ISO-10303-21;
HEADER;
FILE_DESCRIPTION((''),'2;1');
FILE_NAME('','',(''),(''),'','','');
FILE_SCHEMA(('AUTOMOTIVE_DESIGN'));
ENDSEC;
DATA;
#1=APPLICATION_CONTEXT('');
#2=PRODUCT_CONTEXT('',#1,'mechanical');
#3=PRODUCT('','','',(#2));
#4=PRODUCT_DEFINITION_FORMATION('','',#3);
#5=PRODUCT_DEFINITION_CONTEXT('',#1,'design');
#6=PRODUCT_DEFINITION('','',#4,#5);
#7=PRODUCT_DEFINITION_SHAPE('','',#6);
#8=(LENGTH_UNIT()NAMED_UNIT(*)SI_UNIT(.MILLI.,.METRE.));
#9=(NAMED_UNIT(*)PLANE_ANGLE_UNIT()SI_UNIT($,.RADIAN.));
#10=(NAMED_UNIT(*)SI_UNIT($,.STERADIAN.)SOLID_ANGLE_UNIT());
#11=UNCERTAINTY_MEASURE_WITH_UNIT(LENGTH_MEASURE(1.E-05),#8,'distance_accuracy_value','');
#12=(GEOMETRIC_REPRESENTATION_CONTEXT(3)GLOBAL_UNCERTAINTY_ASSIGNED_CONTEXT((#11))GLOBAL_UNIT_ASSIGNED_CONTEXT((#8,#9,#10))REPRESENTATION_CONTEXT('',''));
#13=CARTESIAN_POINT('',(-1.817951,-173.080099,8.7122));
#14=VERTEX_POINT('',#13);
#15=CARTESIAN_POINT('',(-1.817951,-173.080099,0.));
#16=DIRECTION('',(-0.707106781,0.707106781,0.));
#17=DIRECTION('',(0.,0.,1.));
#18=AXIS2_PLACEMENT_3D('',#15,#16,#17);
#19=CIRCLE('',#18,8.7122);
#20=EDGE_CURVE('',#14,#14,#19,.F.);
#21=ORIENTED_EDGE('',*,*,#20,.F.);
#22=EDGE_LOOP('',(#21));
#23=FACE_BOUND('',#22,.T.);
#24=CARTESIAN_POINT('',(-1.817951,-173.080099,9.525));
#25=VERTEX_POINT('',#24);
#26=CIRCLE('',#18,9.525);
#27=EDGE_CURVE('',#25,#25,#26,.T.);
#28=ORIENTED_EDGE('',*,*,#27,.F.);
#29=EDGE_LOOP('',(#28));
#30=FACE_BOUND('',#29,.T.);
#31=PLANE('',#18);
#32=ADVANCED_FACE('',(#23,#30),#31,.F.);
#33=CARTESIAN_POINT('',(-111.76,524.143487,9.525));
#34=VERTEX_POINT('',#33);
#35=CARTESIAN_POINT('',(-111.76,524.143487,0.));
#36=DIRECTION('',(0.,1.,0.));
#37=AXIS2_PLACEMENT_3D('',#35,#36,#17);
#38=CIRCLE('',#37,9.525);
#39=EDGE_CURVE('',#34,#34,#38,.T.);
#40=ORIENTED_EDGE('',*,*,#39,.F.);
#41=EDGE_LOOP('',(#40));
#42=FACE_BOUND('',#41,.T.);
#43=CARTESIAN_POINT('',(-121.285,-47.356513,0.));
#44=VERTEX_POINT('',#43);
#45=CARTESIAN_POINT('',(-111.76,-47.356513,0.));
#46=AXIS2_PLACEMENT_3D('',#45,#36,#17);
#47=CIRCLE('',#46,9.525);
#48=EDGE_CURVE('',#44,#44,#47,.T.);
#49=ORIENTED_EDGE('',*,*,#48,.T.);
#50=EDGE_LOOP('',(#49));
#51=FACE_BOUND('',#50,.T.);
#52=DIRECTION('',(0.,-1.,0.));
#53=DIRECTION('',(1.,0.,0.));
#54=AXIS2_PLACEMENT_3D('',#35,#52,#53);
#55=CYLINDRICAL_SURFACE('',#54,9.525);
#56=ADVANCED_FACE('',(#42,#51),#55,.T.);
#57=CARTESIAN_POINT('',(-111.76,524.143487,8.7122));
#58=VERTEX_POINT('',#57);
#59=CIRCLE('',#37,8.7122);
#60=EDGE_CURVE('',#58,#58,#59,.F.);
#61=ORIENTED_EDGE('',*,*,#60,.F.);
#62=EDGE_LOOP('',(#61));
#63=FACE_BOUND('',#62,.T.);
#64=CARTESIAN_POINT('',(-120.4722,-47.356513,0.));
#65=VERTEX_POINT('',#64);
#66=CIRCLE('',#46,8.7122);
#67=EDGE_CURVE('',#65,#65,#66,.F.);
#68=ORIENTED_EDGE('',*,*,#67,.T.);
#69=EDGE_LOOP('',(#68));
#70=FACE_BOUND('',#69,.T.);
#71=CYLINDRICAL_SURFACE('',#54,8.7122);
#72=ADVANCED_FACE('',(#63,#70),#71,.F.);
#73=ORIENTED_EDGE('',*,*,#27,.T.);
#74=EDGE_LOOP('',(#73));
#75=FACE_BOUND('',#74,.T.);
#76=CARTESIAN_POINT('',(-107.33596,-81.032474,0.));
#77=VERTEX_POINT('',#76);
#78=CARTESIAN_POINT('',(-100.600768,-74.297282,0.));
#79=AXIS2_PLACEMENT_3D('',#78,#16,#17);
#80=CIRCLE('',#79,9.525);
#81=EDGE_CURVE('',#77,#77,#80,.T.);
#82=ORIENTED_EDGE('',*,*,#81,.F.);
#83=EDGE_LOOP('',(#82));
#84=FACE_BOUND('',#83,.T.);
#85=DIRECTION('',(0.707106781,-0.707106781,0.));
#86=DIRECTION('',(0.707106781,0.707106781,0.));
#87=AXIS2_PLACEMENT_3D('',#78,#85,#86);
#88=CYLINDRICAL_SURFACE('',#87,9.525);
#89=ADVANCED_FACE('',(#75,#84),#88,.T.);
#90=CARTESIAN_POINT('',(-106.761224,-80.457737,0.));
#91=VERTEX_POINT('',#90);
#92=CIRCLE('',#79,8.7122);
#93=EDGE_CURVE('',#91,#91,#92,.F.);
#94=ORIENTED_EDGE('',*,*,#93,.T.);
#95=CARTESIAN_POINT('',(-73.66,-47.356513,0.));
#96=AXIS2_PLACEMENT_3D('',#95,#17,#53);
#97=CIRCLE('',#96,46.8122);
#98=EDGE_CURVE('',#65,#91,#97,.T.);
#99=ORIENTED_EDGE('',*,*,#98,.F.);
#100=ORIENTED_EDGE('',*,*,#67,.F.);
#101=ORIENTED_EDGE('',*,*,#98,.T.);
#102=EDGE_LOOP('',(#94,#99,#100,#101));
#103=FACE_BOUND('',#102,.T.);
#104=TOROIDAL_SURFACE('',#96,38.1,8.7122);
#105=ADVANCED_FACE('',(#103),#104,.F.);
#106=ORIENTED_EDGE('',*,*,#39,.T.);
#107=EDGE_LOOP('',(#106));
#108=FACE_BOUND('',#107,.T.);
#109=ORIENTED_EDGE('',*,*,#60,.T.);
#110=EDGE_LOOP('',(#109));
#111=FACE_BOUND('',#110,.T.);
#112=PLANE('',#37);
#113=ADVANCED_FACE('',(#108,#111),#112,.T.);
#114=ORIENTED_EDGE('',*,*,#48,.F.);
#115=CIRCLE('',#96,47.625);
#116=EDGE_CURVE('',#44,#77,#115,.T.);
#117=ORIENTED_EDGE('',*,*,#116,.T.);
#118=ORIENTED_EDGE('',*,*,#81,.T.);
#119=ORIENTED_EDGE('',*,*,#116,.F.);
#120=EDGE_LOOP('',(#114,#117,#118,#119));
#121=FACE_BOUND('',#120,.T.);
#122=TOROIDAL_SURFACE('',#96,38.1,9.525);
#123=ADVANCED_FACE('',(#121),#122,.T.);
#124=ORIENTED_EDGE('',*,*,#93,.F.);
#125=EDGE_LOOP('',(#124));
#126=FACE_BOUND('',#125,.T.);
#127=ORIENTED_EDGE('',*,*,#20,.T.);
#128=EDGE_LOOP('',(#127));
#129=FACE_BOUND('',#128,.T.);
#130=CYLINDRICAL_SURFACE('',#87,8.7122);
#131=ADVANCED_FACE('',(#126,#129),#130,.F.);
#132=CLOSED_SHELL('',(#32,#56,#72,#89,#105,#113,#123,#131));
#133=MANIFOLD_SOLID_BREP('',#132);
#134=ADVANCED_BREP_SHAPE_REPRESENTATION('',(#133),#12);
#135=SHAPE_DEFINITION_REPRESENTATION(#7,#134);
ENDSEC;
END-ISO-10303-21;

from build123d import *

# Parameters (mm, degrees)
SKETCH2_R   = 9.525
SKETCH2_R_2 = 8.7122


with BuildPart() as part:
    # Sweep1: sweep along a path in Sketch1
    with BuildLine(Plane.XY) as sweep1_path:
        Line((-1.817951031, -173.080098969), (-100.600768363, -74.297281637))
        ThreePointArc((-100.600768363, -74.297281637), (-108.859810189, -61.936752047), (-111.76, -47.356513274))
        Line((-111.76, -47.356513274), (-111.76, 524.143486726))
    # Sketch2 → Sweep1 (sweep)
    with BuildSketch(Plane(origin=(0, 0, 0), x_dir=(1, 0, 0), z_dir=(0, 1, 0))):
        with Locations((-111.76, 0)):
            Circle(SKETCH2_R)
        with Locations((-111.76, 0)):
            Circle(SKETCH2_R_2, mode=Mode.SUBTRACT)
    sweep(path=sweep1_path.line)


solid = part.part
